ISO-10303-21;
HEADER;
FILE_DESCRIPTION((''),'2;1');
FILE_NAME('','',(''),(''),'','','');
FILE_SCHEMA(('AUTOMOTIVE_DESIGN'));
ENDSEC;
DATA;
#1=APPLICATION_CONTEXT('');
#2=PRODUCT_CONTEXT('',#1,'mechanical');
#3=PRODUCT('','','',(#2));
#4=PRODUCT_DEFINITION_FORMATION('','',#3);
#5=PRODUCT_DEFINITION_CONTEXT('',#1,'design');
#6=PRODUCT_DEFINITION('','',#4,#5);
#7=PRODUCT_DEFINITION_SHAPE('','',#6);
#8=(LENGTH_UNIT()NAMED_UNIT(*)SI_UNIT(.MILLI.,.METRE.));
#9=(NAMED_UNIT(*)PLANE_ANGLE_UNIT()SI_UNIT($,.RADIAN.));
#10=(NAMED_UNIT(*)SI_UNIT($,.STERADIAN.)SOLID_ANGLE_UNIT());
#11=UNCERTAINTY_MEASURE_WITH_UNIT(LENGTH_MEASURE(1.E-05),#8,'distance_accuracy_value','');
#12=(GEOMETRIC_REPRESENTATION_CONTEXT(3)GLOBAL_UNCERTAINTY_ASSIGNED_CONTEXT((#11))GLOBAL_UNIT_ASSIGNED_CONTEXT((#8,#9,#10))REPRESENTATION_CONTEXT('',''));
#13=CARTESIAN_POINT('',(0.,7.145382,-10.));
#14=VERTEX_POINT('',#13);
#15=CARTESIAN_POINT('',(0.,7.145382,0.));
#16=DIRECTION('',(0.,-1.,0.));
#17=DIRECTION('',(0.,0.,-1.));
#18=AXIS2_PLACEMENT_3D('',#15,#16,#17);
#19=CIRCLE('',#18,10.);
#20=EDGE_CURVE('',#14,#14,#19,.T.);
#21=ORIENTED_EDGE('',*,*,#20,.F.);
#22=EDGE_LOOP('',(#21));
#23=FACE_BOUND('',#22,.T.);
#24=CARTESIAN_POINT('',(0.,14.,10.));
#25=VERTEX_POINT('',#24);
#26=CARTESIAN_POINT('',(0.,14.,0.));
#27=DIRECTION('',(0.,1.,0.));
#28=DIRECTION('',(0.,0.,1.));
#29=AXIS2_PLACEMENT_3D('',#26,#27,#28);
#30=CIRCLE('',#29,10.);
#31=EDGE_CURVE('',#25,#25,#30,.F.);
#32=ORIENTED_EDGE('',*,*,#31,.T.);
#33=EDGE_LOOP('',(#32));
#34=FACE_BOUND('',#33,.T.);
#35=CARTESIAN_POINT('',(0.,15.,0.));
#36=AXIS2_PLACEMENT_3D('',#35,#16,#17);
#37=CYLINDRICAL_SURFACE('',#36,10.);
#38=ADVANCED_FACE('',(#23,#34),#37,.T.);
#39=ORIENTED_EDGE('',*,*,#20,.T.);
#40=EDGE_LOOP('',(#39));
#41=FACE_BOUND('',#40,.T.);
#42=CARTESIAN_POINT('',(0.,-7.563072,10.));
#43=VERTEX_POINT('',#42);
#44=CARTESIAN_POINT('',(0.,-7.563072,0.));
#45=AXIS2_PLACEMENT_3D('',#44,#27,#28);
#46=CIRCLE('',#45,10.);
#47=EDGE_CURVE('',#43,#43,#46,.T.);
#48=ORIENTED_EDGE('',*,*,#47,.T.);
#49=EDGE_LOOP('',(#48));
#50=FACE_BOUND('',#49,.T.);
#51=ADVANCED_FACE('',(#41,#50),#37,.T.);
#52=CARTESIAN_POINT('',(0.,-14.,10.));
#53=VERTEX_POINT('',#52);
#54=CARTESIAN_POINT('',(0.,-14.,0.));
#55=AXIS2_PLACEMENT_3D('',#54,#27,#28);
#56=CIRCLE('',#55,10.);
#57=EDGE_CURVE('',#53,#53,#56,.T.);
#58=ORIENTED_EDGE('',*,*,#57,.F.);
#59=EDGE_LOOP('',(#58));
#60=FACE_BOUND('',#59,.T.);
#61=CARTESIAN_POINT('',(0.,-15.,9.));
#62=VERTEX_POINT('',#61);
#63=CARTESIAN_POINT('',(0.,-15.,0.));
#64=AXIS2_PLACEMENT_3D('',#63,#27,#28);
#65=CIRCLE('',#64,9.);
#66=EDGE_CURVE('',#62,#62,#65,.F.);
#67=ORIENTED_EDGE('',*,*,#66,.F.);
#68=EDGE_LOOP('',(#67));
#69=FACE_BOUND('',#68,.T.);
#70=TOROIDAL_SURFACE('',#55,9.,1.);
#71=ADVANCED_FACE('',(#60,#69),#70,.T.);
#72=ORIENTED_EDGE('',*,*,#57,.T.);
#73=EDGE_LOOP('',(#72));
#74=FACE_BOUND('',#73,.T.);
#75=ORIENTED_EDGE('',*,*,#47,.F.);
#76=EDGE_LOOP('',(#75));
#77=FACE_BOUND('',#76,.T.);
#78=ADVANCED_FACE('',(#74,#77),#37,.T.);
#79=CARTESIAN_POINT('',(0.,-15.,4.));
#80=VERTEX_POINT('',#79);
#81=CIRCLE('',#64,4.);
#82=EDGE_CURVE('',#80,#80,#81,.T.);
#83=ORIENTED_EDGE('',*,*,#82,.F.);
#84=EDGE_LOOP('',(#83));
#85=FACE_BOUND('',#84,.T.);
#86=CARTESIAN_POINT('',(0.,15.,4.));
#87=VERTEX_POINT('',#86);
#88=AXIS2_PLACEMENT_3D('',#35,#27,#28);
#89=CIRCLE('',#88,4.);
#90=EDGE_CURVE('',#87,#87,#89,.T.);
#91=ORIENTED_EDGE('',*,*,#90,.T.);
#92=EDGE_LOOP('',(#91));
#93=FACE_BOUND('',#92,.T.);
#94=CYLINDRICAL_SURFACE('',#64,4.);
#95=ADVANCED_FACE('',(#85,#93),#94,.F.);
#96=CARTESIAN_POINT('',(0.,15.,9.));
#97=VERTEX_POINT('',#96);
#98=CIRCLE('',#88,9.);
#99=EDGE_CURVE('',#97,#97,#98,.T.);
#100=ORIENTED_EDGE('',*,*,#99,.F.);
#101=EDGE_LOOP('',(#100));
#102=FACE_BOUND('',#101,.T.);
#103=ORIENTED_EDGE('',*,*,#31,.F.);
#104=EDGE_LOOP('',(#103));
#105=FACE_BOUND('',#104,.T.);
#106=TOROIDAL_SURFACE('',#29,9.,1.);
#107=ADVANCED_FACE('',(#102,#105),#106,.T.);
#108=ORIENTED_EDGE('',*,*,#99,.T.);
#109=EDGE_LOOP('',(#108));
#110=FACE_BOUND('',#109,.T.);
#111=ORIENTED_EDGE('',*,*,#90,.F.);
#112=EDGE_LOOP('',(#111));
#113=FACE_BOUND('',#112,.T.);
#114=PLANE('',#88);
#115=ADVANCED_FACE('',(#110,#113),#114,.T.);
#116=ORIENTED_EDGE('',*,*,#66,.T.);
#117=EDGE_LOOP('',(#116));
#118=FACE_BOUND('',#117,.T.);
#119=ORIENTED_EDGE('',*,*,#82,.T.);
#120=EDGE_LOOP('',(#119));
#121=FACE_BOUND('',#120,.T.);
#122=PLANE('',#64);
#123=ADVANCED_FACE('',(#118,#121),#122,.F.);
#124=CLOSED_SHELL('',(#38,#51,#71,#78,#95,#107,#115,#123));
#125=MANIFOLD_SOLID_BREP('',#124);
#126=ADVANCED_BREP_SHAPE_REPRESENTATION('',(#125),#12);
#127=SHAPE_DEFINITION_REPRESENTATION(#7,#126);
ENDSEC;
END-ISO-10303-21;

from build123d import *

# Parameters (mm, degrees)
SKETCH1_R           = 10
BOSS_EXTRUDE1_DEPTH = 15
SKETCH2_R           = 4
CUT_EXTRUDE1_DEPTH  = 34.166247904
FILLET1_R           = 1


with BuildPart() as part:
    # Sketch1 → Boss-Extrude1 (new, symmetric)
    with BuildSketch(Plane(origin=(0, 0, 0), x_dir=(1, 0, 0), z_dir=(0, 1, 0))):
        with Locations(Location((0, 0, 0), (0, 0, 270))):
            Circle(SKETCH1_R)
    extrude(amount=BOSS_EXTRUDE1_DEPTH, both=True)

    # Sketch2 → Cut-Extrude1 (cut, through all)
    with BuildSketch(Plane(origin=(0, 15, 0), x_dir=(1, 0, 0), z_dir=(0, 1, 0))):
        with Locations(Location((0, 0, 0), (0, 0, 270))):
            Circle(SKETCH2_R)
    extrude(amount=-CUT_EXTRUDE1_DEPTH, mode=Mode.SUBTRACT)

    # Fillet1
    fillet1_edges = [part.edges().sort_by_distance(p)[0] for p in [
        (0, -15, -10),
        (0, 15, -10),
    ]]
    fillet(fillet1_edges, radius=FILLET1_R)


solid = part.part
